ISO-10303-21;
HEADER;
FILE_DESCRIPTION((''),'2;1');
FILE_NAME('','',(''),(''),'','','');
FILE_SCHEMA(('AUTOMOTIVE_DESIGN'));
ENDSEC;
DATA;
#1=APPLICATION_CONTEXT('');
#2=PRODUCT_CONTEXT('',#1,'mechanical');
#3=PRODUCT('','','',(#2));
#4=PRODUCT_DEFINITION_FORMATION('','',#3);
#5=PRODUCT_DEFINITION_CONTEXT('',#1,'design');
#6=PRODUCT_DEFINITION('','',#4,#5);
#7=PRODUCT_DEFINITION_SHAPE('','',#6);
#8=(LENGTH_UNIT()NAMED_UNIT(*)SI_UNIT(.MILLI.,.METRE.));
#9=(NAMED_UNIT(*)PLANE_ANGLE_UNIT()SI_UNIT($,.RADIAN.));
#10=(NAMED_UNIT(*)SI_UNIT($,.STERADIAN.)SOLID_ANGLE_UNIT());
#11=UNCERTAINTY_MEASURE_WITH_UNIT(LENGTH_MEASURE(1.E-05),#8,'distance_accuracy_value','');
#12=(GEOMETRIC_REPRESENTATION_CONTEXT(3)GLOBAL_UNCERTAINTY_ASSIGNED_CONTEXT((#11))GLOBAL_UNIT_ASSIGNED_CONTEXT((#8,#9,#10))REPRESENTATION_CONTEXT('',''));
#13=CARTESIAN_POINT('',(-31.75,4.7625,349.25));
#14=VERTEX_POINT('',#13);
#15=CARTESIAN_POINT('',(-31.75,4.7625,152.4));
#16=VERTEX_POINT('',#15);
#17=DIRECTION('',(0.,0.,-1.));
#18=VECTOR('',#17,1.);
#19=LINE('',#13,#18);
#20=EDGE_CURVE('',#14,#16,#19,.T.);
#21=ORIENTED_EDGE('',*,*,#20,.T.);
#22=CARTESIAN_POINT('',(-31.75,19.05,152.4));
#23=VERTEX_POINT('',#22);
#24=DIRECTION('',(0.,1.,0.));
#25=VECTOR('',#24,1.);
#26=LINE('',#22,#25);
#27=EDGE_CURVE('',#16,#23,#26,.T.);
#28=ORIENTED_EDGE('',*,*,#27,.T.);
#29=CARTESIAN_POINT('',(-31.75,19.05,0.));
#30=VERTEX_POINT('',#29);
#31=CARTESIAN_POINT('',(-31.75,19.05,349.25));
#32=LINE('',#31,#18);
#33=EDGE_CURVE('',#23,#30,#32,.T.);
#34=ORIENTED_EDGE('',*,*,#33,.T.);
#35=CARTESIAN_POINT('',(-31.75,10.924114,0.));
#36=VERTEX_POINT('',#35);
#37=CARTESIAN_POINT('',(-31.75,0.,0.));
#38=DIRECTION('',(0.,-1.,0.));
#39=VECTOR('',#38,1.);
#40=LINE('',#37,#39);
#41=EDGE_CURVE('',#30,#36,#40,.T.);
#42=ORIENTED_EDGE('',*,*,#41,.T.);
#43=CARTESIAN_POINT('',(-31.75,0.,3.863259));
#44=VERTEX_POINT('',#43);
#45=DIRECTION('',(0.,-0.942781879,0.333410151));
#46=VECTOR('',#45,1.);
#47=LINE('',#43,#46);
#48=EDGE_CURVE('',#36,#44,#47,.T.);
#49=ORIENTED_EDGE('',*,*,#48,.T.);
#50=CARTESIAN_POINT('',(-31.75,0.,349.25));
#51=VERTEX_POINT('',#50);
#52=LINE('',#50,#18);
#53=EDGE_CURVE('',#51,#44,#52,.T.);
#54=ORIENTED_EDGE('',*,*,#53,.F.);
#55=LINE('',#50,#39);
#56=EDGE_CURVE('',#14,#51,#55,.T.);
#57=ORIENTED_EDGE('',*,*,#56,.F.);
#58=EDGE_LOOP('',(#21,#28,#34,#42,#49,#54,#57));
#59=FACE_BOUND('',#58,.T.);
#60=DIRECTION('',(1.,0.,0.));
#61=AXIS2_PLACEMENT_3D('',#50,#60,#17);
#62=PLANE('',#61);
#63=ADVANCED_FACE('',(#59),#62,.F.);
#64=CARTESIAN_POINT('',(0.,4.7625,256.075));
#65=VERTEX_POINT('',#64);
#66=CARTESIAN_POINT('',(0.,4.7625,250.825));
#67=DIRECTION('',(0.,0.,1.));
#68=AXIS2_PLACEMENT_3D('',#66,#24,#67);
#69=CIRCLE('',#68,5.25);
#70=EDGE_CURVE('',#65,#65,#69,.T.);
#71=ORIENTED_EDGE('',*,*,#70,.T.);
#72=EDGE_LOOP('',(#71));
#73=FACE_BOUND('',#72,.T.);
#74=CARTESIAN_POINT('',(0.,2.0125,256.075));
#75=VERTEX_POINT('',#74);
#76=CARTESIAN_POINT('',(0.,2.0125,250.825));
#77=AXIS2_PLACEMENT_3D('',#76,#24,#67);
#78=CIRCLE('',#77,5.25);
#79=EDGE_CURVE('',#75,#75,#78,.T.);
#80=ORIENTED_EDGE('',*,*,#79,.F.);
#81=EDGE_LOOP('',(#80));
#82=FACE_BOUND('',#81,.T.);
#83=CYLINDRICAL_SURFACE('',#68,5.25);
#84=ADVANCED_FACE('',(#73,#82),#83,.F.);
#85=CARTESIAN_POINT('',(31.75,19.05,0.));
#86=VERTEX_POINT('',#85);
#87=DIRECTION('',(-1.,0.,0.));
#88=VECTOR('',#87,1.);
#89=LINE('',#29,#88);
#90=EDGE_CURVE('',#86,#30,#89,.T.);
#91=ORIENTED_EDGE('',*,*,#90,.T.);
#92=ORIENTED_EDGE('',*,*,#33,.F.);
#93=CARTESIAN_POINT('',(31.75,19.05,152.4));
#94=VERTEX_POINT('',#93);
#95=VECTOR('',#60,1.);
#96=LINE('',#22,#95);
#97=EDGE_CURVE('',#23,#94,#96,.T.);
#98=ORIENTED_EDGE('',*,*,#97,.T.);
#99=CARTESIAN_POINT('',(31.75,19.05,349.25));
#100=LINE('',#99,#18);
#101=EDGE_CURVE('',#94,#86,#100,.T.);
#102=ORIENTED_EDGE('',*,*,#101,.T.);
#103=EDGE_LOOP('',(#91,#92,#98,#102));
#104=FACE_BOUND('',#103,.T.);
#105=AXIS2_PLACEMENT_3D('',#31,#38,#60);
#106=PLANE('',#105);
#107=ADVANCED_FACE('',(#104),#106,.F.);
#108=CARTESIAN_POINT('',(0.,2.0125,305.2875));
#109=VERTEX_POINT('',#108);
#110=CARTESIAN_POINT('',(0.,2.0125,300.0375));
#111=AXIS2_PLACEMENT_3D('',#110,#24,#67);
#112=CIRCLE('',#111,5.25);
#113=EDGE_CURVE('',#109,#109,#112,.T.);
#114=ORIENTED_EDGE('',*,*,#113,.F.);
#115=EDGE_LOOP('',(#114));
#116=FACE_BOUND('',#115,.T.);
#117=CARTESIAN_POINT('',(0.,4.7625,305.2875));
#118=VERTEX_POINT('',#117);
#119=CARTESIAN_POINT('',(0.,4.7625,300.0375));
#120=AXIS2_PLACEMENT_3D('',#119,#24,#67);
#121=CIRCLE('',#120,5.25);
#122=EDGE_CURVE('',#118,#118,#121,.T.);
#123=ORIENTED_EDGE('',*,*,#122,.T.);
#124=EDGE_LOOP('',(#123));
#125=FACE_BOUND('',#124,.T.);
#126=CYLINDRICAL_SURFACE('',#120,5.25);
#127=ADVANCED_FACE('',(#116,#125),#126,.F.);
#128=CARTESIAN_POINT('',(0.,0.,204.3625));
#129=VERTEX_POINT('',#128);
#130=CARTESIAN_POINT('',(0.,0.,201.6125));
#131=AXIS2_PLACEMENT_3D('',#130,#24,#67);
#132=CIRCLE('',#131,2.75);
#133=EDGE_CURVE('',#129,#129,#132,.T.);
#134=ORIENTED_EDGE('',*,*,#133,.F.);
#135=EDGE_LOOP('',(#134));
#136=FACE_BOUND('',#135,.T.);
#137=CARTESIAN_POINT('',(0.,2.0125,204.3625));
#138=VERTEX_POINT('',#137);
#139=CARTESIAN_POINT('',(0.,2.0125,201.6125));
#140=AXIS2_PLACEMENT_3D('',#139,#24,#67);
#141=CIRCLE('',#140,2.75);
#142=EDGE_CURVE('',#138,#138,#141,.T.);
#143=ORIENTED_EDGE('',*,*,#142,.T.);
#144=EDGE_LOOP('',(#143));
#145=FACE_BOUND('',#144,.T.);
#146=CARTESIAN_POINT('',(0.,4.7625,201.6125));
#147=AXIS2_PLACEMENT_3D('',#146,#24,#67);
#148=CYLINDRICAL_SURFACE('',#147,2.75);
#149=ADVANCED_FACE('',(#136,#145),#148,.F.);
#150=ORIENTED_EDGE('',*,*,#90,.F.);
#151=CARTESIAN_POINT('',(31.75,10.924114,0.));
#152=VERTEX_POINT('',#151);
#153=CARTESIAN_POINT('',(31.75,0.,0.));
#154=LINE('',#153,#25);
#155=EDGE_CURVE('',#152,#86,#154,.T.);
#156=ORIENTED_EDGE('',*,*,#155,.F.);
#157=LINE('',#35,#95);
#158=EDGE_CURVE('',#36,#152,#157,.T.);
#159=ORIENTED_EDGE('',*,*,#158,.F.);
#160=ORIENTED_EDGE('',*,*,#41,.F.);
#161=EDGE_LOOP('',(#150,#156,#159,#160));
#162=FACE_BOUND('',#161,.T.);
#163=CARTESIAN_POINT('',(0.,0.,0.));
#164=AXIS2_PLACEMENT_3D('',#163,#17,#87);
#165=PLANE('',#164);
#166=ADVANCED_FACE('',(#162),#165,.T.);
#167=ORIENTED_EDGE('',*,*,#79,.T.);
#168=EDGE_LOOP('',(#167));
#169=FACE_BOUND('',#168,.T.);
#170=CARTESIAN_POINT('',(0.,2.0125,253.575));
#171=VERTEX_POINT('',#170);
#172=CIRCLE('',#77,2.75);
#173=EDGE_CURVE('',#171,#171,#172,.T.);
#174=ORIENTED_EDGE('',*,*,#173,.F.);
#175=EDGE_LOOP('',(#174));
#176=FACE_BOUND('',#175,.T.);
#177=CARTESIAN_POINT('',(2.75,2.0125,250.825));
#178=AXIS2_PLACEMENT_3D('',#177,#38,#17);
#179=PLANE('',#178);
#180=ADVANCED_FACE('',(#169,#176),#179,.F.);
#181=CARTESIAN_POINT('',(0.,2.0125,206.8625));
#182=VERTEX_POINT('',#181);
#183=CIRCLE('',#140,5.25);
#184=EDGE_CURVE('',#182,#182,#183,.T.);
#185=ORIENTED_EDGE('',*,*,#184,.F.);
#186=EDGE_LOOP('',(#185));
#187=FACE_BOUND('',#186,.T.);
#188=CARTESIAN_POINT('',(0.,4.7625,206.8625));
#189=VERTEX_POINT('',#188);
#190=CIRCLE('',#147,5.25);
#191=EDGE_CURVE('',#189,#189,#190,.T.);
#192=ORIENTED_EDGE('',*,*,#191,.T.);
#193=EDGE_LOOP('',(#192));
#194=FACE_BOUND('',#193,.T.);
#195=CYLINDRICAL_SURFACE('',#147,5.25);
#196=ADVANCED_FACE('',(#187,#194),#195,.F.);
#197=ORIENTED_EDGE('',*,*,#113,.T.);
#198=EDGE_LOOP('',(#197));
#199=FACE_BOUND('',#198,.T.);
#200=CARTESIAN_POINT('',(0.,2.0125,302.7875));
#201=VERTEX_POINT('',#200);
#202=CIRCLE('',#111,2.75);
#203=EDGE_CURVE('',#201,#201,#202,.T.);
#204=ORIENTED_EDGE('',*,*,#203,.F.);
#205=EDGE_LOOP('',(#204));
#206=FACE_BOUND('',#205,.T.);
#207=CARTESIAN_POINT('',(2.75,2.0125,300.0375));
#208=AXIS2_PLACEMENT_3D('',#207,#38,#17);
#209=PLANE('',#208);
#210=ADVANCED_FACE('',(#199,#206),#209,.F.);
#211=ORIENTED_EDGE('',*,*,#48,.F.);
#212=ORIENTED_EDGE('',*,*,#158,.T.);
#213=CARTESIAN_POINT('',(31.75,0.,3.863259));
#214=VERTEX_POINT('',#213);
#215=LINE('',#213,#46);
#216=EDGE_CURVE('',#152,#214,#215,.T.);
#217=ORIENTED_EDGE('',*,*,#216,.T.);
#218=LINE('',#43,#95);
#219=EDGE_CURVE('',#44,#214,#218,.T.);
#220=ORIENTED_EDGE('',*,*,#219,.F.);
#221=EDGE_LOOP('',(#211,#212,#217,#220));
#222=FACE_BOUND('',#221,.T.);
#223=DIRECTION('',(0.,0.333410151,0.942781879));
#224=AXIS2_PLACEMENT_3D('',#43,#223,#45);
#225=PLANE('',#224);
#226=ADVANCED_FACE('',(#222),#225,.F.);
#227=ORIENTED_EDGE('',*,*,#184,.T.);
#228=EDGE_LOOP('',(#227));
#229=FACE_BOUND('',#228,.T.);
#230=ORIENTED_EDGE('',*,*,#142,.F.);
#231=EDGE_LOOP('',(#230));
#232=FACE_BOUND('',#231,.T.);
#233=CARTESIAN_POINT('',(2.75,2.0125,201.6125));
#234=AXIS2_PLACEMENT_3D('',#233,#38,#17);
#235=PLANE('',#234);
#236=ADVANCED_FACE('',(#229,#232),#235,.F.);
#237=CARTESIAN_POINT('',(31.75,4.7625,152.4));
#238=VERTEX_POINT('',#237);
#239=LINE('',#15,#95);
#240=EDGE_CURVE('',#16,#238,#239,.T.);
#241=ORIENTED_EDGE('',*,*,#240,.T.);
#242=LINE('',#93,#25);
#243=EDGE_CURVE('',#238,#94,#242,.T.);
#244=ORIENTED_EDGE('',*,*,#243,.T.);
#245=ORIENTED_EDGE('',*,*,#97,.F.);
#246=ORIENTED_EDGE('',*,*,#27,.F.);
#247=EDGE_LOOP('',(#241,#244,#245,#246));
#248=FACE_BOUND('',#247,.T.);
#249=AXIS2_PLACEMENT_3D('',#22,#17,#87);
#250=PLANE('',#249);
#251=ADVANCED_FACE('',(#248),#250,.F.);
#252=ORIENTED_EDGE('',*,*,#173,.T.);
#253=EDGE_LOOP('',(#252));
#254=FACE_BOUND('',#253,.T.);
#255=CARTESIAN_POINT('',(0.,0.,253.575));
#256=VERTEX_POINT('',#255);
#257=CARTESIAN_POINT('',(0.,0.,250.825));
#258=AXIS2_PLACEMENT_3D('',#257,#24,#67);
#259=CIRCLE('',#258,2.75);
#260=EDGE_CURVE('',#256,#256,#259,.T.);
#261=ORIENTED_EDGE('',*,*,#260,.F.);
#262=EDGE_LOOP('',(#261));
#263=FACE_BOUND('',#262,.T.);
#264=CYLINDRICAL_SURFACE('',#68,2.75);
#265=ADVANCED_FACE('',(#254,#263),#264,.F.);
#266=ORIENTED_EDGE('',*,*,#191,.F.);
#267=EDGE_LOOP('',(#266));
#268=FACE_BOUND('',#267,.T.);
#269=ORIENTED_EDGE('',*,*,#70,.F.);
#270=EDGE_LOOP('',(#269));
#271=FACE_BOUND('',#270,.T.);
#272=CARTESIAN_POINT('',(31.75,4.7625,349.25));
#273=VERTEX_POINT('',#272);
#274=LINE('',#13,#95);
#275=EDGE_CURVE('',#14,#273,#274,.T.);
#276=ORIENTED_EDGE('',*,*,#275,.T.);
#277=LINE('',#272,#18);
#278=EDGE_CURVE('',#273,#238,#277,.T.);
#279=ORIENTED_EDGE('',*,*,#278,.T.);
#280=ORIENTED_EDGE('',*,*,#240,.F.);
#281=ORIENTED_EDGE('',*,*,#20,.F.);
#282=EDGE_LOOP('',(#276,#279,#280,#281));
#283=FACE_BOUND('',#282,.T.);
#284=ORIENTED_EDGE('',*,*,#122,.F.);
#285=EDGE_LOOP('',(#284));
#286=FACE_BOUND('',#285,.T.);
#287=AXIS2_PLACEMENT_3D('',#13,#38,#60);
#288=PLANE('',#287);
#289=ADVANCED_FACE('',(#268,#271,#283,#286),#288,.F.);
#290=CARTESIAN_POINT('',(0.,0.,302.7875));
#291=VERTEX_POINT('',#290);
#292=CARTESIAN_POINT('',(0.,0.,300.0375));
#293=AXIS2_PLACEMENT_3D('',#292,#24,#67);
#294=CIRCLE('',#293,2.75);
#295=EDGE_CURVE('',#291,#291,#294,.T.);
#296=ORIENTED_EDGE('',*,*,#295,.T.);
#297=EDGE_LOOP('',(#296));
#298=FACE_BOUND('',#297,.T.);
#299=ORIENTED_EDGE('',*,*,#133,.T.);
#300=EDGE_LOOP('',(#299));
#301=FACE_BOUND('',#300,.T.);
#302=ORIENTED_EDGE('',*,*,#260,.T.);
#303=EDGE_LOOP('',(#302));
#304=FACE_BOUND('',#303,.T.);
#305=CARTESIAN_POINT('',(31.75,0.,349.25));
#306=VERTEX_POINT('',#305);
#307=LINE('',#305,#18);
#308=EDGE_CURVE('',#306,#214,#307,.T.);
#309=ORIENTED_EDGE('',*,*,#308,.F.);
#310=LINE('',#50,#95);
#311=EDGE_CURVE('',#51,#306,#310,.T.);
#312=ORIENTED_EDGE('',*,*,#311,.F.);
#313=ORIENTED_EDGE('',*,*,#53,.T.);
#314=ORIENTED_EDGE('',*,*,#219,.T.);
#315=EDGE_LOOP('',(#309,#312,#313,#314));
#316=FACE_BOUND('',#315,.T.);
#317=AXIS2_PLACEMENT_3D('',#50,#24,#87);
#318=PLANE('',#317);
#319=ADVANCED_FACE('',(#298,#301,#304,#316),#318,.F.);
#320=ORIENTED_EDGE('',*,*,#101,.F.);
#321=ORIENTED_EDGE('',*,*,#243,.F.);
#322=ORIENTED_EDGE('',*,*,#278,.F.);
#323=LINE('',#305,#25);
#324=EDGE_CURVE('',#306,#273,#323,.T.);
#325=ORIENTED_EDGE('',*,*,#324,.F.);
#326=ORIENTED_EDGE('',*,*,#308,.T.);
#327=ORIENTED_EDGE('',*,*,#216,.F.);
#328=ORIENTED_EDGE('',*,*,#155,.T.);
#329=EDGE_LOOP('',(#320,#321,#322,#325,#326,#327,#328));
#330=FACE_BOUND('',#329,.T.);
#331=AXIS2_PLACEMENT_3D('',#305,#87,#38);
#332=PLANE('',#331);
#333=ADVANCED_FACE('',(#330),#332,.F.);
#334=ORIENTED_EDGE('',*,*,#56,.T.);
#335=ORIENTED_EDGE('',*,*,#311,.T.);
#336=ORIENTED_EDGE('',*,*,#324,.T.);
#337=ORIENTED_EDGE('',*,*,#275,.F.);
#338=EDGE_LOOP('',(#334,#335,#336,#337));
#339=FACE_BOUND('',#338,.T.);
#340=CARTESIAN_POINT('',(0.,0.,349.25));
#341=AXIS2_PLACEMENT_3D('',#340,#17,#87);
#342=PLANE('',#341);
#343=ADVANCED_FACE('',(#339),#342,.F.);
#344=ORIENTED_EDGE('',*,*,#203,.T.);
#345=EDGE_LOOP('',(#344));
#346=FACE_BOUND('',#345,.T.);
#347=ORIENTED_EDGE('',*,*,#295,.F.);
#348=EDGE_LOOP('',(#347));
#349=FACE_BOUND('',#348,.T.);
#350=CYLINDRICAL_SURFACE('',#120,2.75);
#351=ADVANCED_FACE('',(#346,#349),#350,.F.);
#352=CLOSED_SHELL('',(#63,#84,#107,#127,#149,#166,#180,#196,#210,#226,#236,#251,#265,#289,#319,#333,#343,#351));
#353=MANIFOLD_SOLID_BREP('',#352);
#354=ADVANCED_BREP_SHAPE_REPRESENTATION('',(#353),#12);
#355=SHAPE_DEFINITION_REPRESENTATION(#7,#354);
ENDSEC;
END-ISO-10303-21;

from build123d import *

# Parameters (mm, degrees)
SKETCH1_W                       = 63.5
SKETCH1_H                       = 19.05
BOSS_EXTRUDE1_DEPTH             = 349.25
SKETCH3_W                       = 196.85
SKETCH3_H                       = 14.2875
CUT_EXTRUDE1_DEPTH              = 356.486589058
CUT_EXTRUDE2_DEPTH              = 356.486589058
CBORE_FOR_M5_SBHCS1_D           = 5.5
CBORE_FOR_M5_SBHCS1_CBORE_D     = 10.5
CBORE_FOR_M5_SBHCS1_CBORE_DEPTH = 2.75


with BuildPart() as part:
    # Sketch1 → Boss-Extrude1 (new body)
    with BuildSketch(Plane.XY):
        with Locations((0, 9.525)):
            Rectangle(SKETCH1_W, SKETCH1_H)
    extrude(amount=BOSS_EXTRUDE1_DEPTH)

    # Sketch3 → Cut-Extrude1 (cut, through all)
    with BuildSketch(Plane(origin=(31.75, 0, 0), x_dir=(0, 0, -1), z_dir=(1, 0, 0))):
        with Locations((-250.825, 11.90625)):
            Rectangle(SKETCH3_W, SKETCH3_H)
    extrude(amount=-CUT_EXTRUDE1_DEPTH, mode=Mode.SUBTRACT)

    # Sketch14 → Cut-Extrude2 (cut, through all)
    with BuildSketch(Plane(origin=(31.75, 0, 0), x_dir=(0, 0, -1), z_dir=(1, 0, 0))):
        Polygon((-3.863258779, 0), (0, 0), (0, 10.924113624), align=None)
    extrude(amount=-CUT_EXTRUDE2_DEPTH, mode=Mode.SUBTRACT)

    # CBORE for M5 SBHCS1 (through all)
    with Locations(Plane(origin=(0, 4.7625, 0), x_dir=(1, 0, 0), z_dir=(0, 1, 0))):
        with Locations((0, -201.6125), (0, -250.825), (0, -300.0375)):
            CounterBoreHole(CBORE_FOR_M5_SBHCS1_D / 2, CBORE_FOR_M5_SBHCS1_CBORE_D / 2, CBORE_FOR_M5_SBHCS1_CBORE_DEPTH)


solid = part.part
